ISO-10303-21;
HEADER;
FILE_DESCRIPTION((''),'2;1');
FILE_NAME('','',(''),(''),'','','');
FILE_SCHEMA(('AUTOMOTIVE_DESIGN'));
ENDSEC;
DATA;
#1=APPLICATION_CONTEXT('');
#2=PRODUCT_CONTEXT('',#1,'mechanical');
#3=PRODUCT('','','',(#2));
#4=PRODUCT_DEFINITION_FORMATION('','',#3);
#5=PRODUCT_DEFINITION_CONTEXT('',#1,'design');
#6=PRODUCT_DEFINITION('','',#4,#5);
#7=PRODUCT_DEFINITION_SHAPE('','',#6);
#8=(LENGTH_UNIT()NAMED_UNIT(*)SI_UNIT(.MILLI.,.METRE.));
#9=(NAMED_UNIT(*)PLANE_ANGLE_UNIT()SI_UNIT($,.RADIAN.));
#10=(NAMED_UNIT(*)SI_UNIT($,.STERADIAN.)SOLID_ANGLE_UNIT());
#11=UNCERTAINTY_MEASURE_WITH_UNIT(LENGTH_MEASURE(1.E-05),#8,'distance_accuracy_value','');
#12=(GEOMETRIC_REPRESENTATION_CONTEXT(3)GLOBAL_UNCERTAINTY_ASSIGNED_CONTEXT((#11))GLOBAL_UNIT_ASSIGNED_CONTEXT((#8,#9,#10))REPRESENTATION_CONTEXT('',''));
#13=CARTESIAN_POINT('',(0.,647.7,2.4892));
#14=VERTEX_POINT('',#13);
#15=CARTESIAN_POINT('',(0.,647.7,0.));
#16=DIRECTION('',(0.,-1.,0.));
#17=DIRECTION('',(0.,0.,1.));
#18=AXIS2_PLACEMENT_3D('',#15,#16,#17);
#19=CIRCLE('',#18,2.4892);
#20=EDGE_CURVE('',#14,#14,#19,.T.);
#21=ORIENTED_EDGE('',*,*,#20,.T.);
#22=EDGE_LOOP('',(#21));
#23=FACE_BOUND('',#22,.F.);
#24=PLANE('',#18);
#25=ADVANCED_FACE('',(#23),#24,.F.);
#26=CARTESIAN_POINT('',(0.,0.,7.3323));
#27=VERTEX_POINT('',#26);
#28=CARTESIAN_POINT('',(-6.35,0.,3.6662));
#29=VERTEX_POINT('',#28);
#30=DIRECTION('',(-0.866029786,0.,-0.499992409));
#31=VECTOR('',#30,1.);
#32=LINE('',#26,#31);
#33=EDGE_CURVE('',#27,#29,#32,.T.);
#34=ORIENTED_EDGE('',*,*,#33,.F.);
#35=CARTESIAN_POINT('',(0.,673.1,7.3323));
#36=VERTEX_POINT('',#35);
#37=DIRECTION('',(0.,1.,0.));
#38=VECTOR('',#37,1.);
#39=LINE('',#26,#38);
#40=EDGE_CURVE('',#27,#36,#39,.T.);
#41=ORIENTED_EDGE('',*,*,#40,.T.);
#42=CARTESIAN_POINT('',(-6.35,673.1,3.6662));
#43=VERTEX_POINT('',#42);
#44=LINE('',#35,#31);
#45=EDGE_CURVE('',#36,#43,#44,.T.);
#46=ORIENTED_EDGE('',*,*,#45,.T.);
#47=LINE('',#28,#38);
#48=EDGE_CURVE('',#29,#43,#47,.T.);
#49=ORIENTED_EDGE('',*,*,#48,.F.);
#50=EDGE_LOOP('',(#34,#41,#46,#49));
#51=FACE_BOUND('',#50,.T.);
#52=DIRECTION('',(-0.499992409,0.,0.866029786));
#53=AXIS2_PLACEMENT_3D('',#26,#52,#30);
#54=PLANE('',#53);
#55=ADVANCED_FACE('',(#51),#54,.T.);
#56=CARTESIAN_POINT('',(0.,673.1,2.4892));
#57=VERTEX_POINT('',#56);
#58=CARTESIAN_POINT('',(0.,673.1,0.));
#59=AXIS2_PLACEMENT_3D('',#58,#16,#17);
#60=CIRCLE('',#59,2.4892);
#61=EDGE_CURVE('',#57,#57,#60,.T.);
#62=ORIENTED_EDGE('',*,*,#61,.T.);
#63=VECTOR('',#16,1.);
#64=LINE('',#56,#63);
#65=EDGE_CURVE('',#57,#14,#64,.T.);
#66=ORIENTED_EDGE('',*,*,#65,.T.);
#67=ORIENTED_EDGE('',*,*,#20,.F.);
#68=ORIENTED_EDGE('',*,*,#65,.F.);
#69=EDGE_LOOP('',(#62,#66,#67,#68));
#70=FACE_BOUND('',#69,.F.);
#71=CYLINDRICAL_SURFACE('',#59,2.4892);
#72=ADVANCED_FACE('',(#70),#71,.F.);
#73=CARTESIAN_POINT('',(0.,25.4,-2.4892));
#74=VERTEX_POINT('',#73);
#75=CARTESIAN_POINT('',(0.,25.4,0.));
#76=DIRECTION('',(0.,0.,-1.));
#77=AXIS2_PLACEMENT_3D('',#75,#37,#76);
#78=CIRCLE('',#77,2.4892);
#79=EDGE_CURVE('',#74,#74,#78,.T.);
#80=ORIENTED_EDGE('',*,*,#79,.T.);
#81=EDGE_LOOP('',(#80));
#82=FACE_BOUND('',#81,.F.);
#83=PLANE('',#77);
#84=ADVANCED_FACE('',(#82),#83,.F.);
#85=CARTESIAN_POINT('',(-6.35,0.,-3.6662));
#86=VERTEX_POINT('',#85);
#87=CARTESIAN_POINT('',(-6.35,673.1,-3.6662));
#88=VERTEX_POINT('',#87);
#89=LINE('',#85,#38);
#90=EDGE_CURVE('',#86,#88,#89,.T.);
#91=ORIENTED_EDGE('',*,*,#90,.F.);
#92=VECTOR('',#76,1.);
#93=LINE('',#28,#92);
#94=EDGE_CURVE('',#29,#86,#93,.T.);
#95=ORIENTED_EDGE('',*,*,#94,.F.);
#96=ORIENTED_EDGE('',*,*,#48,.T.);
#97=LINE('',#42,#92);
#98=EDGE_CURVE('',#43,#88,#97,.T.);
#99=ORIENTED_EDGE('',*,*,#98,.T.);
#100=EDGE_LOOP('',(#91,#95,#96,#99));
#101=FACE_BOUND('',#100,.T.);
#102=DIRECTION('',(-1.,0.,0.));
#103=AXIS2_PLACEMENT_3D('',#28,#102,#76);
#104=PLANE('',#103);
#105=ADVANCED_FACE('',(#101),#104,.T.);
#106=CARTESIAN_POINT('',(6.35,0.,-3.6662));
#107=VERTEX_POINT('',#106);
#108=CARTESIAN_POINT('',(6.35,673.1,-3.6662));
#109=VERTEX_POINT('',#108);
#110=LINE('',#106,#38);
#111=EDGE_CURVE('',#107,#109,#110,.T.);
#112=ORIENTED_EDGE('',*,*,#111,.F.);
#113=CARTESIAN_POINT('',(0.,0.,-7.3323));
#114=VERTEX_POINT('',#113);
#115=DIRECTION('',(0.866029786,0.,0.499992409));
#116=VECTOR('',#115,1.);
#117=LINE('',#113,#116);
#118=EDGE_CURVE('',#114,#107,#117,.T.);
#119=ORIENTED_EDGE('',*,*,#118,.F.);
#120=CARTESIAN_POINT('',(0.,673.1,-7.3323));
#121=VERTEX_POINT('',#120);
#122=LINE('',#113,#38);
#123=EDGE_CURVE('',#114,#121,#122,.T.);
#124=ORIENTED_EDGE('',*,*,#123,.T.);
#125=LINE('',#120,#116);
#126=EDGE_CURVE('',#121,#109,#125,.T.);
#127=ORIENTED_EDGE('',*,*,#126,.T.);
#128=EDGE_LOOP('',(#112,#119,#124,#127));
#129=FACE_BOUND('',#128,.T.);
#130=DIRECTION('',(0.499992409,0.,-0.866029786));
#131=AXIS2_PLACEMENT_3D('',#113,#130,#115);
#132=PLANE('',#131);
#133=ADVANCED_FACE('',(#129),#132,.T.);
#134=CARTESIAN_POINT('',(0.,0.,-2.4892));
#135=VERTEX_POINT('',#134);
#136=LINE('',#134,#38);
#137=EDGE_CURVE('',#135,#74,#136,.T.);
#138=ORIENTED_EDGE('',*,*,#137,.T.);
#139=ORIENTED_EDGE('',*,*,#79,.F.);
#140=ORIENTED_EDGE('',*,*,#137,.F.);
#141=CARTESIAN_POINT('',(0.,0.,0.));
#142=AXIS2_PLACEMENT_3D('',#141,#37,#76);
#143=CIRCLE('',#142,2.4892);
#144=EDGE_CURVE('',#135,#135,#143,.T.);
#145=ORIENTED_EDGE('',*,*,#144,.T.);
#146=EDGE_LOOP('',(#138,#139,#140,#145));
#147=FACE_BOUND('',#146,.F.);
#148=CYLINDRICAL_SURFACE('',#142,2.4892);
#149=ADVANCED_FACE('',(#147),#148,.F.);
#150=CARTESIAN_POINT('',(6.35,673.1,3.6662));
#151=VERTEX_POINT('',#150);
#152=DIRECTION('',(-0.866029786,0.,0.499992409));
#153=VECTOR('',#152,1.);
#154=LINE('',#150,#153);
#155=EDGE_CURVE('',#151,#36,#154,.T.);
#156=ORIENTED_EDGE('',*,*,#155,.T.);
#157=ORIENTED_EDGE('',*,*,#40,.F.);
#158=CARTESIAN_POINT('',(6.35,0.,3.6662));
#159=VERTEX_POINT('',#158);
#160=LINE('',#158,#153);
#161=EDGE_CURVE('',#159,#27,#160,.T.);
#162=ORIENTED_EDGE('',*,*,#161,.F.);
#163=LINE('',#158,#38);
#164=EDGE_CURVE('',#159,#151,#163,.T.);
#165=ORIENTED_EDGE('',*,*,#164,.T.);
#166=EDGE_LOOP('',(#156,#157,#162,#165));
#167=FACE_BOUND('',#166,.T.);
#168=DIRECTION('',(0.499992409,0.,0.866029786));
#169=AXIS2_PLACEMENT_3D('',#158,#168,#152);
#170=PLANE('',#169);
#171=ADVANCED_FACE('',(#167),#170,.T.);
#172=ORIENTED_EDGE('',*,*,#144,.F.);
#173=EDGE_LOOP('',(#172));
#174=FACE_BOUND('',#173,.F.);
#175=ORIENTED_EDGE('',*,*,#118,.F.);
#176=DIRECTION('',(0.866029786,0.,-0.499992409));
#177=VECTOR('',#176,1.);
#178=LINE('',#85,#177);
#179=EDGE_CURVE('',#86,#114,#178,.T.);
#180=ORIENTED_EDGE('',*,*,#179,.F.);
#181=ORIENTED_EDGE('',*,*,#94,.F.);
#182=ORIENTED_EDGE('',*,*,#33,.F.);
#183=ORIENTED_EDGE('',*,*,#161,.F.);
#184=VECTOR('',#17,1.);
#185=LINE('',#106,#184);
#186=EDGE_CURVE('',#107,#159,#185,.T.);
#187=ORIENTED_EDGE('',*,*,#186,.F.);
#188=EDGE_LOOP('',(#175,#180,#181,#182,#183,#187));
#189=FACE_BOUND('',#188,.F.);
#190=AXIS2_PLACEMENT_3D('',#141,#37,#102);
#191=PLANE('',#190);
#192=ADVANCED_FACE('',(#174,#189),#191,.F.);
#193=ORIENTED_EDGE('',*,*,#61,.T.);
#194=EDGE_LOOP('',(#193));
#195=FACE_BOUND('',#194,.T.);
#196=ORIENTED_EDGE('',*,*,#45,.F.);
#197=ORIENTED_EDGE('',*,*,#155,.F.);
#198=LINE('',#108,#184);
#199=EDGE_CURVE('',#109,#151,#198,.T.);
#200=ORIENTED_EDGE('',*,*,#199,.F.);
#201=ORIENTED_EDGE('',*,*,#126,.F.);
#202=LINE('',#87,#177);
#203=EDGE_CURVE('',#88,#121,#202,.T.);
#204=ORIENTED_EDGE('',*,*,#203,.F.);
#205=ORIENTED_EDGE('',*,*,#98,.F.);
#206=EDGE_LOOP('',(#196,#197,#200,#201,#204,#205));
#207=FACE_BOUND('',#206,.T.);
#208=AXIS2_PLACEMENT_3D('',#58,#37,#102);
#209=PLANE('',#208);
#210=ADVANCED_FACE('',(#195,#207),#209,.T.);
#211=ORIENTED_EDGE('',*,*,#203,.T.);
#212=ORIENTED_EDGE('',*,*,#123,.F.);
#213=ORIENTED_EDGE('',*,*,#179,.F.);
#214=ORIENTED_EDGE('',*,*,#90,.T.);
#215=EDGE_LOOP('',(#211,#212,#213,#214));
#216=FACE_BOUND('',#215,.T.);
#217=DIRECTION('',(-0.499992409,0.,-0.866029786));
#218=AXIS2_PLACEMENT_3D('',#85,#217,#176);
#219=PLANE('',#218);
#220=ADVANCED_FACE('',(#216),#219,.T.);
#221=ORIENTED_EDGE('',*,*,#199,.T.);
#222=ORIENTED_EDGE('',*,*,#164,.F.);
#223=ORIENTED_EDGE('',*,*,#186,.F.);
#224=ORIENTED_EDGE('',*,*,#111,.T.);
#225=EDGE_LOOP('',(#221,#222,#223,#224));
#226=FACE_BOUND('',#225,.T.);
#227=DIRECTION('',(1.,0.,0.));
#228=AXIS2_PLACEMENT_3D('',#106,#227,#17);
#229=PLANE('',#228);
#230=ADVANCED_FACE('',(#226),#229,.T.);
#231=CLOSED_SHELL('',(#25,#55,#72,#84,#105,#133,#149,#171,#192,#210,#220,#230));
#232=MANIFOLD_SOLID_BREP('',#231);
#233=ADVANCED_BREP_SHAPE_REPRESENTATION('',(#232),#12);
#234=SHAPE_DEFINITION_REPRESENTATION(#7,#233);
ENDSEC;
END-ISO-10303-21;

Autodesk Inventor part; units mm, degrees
ref_plane "YZ Plane" through (0, 0, 0) normal (1, 0, 0) x (0, 1, 0)
ref_plane "XZ Plane" through (0, 0, 0) normal (0, 1, 0) x (-1, 0, 0)
ref_plane "XY Plane" through (0, 0, 0) normal (0, 0, 1) x (1, 0, 0)
sketch "Sketch1" plane through (0, 0, 0) normal (0, 1, 0) x (-1, 0, 0)
  line L0 (6.35, -3.6662) -> (0, -7.3323)
  line L1 (0, -7.3323) -> (-6.35, -3.6662)
  line L2 (-6.35, -3.6662) -> (-6.35, 3.6662)
  line L3 (-6.35, 3.6662) -> (0, 7.3323)
  line L4 (0, 7.3323) -> (6.35, 3.6662)
  line L5 (6.35, 3.6662) -> (6.35, -3.6662)
  point P0 (0, 0)
  point P1 (0, 0)
  point P2 (0, 0)
  dimension "d0" = 12.7
extrude "Extrusion1" add sketch "Sketch1" along normal blind 673.1
hole "Hole1" at (0, 0, 0) direction (0, 1, 0) diameter 4.9784 depth 25.4 thread size "1/4-20 UNC" class "2B" standard "ANSI Unified Screw Threads"
sketch "Sketch2" plane through (0, 673.1, 0) normal (0, 1, 0) x (1, 0, 0)
  point P0 (0, 0)
  point P1 (0, 0)
hole "Hole2" at (0, 673.1, 0) direction (0, -1, 0) diameter 4.9784 depth 25.4 thread size "1/4-20 UNC" class "2B" standard "ANSI Unified Screw Threads"
properties part number "Intake Roller Hex Shaft"
